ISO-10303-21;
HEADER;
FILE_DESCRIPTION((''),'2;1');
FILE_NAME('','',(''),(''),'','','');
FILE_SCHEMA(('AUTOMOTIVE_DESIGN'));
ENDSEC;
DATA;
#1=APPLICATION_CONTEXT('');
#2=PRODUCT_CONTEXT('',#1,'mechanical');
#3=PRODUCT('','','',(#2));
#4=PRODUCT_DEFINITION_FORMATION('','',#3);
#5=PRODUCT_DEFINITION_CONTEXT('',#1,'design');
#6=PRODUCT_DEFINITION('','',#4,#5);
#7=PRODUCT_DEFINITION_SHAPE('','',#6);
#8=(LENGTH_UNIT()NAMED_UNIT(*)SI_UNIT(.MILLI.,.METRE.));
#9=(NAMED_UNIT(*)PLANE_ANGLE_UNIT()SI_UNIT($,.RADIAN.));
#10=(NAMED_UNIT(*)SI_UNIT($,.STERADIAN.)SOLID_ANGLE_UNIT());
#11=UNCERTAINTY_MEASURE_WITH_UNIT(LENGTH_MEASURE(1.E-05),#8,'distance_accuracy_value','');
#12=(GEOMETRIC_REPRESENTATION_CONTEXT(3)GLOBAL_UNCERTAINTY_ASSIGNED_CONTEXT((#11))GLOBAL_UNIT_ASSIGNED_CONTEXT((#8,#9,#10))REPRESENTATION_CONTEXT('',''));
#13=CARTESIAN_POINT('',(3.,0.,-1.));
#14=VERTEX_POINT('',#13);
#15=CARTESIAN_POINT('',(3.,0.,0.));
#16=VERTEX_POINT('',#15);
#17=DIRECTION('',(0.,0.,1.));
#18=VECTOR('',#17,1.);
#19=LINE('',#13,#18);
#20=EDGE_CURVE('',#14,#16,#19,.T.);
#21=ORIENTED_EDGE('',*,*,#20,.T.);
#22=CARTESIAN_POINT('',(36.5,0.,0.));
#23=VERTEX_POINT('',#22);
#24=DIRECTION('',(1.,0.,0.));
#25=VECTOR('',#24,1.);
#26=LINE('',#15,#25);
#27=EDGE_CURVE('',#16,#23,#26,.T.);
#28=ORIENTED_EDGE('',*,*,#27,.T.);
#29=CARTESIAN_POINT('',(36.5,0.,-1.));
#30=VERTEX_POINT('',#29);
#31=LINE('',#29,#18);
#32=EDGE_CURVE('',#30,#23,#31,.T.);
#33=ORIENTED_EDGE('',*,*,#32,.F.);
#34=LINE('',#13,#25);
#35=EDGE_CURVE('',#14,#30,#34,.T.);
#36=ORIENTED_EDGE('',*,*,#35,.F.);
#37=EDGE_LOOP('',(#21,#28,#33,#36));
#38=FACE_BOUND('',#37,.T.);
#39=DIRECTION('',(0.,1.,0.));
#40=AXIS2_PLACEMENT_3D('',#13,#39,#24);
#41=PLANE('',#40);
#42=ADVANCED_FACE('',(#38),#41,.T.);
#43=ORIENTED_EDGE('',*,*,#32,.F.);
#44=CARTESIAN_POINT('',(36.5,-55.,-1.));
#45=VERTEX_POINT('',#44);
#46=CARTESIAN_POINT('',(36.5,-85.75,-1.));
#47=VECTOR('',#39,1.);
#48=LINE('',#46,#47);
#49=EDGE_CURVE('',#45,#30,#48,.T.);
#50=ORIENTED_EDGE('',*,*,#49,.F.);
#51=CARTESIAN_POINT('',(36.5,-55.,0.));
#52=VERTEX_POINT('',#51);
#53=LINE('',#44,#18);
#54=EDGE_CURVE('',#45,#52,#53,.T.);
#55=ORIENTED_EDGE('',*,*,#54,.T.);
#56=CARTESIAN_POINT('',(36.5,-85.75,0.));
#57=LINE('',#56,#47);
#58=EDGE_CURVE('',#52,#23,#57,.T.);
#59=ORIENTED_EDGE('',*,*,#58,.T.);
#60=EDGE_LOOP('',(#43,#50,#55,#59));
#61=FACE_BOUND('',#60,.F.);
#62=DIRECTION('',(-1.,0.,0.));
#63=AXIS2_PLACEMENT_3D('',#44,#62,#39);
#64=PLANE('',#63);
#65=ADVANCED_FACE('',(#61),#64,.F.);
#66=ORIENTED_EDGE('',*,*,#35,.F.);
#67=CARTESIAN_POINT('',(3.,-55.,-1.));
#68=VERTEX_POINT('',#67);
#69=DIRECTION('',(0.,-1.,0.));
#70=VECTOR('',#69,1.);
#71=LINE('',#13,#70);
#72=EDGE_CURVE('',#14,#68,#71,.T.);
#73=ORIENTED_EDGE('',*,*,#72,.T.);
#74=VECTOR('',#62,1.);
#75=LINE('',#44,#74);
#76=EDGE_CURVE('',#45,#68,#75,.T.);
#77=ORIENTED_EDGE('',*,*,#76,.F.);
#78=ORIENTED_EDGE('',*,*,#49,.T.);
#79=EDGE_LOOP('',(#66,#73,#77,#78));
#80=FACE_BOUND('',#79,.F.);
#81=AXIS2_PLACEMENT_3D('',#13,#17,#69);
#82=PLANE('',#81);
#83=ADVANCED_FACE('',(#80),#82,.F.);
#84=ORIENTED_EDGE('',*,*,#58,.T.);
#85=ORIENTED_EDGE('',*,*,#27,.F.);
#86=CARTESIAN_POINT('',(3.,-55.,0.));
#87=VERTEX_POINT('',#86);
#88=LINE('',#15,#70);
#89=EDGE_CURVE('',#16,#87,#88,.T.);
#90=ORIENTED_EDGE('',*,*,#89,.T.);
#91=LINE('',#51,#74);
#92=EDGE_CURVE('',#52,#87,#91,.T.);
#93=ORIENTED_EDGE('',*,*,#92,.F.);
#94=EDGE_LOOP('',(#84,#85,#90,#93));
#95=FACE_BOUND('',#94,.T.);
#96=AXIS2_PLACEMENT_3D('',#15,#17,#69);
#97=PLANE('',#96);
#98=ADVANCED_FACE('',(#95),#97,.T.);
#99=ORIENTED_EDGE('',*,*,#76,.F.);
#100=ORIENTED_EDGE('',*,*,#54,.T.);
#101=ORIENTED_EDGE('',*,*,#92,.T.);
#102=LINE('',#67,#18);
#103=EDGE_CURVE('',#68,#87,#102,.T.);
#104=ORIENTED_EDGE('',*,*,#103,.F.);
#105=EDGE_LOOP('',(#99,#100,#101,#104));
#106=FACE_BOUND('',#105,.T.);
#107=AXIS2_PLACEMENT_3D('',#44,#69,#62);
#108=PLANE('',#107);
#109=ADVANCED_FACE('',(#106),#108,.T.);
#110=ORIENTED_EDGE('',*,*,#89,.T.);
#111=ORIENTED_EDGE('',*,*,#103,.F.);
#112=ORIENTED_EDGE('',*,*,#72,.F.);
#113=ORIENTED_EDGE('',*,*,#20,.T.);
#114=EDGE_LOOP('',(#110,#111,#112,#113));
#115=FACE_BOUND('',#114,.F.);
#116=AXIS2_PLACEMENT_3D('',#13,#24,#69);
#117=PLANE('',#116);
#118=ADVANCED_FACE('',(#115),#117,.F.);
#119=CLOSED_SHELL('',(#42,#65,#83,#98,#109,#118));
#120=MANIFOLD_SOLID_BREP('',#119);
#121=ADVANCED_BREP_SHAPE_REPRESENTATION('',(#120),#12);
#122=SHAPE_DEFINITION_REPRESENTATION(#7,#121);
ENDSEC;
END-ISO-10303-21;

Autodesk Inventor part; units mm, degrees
ref_plane "YZ Plane" through (0, 0, 0) normal (1, 0, 0) x (0, 1, 0)
ref_plane "XZ Plane" through (0, 0, 0) normal (0, 1, 0) x (-1, 0, 0)
ref_plane "XY Plane" through (0, 0, 0) normal (0, 0, 1) x (1, 0, 0)
ref_plane "Work Plane1" through (3, 0, -1) normal (0, 0, 1) x (0, -1, 0)
sketch "Sketch1" plane through (3, 0, -1) normal (0, 0, 1) x (0, -1, 0)
  line L0 (85.75, 33.5) -> (0, 33.5) projected
  line L1 (0, 0) -> (0, 33.5) projected
  line L2 (0, 0) -> (85.75, 0) projected
  line L3 (85.75, 0) -> (85.75, 33.5) projected
  line L4 (0, 0) -> (55, 0) projected
  line L5 (0, -3) -> (0, 0) projected
  line L6 (0, -3) -> (55, -3) projected
  line L7 (55, 0) -> (175, 0) projected
  line L8 (175, 0) -> (175, 4.5) projected
  line L9 (175, 4.5) -> (129.8889, 33.5) projected
  line L10 (129.8889, 33.5) -> (55, 33.5) projected
  line L11 (55, 33.5) -> (55, 0) projected
  line L12 (55, -3) -> (55, 0) projected
  point P0 (52, 0)
extrude "Extrusion1" add sketch "Sketch1" along normal blind 1 contours L11 L2 L1 L0
properties part number "right_metal_gear_bracker"
